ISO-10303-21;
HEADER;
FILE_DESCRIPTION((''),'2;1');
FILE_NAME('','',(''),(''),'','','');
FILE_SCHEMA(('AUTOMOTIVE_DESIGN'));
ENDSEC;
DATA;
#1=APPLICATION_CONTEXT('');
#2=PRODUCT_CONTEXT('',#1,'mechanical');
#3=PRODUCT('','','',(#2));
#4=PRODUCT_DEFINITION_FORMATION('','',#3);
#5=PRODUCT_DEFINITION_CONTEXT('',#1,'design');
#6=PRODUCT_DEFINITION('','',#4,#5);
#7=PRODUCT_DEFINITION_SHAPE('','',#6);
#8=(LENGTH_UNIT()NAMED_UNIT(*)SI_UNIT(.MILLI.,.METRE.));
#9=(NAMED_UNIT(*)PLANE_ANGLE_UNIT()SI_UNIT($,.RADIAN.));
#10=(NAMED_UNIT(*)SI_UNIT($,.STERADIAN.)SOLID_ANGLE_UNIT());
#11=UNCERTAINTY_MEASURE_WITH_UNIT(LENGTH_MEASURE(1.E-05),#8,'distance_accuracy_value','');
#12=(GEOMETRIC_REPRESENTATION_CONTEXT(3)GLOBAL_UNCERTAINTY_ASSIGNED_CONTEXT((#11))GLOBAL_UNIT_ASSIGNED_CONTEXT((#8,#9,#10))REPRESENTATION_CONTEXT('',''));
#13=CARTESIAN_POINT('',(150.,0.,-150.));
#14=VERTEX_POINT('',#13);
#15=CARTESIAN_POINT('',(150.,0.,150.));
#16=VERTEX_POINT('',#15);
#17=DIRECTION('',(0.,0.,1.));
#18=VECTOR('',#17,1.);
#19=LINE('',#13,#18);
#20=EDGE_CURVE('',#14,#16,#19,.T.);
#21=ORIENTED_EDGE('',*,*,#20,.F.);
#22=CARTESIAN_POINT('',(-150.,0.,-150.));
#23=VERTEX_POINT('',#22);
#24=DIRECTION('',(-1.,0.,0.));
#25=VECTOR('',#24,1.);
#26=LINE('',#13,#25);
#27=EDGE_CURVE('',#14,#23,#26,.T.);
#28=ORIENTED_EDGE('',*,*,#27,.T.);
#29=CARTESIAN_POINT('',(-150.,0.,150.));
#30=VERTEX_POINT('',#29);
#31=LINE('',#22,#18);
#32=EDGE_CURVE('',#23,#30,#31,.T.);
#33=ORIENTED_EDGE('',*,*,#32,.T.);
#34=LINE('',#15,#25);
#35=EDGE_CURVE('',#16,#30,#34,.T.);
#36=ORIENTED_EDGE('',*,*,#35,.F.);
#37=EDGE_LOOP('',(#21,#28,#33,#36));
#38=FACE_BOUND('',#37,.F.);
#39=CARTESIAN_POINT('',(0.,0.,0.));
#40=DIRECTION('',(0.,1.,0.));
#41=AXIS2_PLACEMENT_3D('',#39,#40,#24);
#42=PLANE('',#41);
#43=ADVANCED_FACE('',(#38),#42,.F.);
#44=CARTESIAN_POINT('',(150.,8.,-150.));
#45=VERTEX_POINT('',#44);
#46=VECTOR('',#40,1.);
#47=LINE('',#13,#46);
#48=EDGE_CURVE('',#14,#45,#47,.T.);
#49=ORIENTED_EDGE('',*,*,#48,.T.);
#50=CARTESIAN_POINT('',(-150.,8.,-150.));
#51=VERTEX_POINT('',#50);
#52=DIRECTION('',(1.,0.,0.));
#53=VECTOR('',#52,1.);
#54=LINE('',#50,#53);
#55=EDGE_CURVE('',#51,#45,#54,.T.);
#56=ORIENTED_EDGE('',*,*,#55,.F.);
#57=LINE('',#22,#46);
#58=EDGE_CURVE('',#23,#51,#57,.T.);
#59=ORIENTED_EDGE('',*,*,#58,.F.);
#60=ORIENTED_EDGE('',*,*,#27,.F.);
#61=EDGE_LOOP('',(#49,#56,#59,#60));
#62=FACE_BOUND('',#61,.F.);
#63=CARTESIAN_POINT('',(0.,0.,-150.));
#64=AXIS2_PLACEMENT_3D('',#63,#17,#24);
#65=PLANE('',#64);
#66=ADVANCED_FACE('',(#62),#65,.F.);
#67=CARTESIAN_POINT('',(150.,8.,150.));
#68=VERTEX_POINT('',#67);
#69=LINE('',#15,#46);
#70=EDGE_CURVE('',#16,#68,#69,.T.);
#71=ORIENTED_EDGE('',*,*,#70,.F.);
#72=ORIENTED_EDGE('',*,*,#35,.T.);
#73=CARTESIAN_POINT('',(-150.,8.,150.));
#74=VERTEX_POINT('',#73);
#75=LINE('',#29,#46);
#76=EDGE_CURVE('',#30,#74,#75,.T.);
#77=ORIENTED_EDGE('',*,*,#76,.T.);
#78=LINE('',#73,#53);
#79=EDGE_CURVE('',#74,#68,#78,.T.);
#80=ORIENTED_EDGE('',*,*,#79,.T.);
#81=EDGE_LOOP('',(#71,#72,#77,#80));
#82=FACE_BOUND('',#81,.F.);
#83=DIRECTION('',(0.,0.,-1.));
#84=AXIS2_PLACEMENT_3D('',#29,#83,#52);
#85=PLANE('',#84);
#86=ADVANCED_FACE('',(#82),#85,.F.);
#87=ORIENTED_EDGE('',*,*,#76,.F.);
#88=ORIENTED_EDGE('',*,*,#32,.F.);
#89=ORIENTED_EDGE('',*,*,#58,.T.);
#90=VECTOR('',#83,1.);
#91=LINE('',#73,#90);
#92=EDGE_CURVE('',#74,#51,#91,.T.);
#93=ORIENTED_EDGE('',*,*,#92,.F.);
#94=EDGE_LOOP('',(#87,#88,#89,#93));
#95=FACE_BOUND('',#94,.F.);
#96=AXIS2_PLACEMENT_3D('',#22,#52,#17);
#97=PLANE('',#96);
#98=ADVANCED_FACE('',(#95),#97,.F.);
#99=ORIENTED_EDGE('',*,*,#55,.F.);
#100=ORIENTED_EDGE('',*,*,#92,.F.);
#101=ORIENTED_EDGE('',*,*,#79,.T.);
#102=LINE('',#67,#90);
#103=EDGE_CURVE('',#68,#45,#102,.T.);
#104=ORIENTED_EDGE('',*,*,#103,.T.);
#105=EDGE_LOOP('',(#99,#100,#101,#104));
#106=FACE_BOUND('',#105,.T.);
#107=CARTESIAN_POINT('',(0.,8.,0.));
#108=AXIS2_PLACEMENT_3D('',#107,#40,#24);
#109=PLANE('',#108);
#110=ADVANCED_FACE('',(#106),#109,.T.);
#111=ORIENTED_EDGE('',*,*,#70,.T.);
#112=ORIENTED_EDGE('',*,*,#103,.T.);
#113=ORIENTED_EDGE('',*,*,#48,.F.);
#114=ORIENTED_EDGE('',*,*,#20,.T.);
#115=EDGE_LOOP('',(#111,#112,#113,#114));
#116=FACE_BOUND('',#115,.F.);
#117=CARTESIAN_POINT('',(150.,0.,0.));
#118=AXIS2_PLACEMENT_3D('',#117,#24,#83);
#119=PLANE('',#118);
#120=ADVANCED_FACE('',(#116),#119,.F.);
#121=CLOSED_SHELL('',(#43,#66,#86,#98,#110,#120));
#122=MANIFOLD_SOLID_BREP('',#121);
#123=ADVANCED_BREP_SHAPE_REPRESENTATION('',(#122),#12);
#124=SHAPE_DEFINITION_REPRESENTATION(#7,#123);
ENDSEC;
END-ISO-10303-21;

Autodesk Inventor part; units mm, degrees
ref_plane "YZ Plane" through (0, 0, 0) normal (1, 0, 0) x (0, 1, 0)
ref_plane "XZ Plane" through (0, 0, 0) normal (0, 1, 0) x (-1, 0, 0)
ref_plane "XY Plane" through (0, 0, 0) normal (0, 0, 1) x (1, 0, 0)
sketch "Sketch1" plane through (0, 0, 0) normal (0, 1, 0) x (-1, 0, 0)
  line L0 (150, -150) -> (150, 150)
  line L1 (150, 150) -> (-150, 150)
  line L2 (-150, 150) -> (-150, -150)
  line L3 (-150, -150) -> (150, -150)
  line L4 (210, 0) -> (-210, 0) projected
  line L5 (0, -210) -> (0, 210) projected
  point P0 (0, 0)
  dimension "d0" = 300
  dimension "d1" = 300
extrude "Extrusion1" add sketch "Sketch1" along normal blind 8
properties part number "tabla40"
